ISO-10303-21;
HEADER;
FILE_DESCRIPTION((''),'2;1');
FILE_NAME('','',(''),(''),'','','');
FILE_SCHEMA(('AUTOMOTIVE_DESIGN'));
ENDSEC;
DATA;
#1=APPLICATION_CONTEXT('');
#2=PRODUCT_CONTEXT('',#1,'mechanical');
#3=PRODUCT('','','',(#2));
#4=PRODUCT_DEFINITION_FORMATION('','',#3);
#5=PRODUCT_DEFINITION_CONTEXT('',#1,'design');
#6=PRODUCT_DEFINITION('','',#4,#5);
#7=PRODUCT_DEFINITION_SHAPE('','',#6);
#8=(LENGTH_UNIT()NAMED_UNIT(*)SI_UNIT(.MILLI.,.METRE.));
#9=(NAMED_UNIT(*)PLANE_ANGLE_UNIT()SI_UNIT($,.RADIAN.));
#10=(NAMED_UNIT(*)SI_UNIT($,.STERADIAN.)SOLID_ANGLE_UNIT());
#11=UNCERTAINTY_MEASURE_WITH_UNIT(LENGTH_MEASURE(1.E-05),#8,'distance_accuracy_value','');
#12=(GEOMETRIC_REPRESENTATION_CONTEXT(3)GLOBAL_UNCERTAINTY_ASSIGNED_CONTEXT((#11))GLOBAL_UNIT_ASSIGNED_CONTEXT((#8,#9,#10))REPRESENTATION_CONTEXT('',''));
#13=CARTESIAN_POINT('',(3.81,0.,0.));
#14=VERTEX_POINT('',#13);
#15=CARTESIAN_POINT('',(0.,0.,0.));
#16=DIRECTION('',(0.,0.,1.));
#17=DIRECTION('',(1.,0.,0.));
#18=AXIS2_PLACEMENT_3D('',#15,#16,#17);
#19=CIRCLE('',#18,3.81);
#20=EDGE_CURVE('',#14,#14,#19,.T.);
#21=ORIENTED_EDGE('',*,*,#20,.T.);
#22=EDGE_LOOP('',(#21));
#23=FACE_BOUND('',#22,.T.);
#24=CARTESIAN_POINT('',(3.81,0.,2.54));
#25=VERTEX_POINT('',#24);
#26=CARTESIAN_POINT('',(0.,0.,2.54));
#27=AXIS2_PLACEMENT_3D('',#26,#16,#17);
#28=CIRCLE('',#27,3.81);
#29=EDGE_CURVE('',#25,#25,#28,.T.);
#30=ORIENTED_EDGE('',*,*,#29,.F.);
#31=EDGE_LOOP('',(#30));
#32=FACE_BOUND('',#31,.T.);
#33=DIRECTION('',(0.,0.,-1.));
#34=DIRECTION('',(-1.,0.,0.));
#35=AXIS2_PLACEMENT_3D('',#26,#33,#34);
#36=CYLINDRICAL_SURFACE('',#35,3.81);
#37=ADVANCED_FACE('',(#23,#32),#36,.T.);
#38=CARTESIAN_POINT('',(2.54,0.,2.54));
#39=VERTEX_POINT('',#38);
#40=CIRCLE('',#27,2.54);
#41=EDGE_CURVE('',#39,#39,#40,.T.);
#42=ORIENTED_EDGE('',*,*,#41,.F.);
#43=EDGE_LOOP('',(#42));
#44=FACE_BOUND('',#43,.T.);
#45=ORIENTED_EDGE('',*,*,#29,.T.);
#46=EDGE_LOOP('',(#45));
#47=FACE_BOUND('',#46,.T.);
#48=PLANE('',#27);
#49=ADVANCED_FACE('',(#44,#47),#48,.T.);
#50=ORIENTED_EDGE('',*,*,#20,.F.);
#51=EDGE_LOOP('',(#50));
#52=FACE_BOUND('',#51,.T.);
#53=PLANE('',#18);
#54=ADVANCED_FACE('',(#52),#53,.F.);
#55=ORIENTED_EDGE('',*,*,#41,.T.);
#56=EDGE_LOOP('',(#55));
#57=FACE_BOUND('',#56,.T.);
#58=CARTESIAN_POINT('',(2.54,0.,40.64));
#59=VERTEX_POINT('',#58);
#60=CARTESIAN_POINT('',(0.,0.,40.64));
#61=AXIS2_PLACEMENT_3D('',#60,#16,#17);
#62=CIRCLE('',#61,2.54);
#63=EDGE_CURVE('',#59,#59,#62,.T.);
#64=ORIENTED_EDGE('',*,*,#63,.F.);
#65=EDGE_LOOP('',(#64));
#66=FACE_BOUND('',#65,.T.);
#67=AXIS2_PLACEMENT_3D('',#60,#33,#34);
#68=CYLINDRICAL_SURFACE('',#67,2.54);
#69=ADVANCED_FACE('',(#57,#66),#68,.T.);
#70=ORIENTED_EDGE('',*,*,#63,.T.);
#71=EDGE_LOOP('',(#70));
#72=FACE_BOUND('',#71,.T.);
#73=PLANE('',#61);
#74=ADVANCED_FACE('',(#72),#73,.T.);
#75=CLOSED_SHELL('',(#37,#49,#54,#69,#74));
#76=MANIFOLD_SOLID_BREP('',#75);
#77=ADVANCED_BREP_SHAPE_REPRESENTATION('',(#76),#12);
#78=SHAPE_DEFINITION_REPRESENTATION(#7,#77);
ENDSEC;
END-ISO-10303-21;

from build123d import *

# Parameters (mm, degrees)
SKETCH1_R           = 3.81
BOSS_EXTRUDE1_DEPTH = 2.54
SKETCH2_R           = 2.54
BOSS_EXTRUDE2_DEPTH = 38.1


with BuildPart() as part:
    # Sketch1 → Boss-Extrude1 (new body)
    with BuildSketch(Plane.XY):
        Circle(SKETCH1_R)
    extrude(amount=BOSS_EXTRUDE1_DEPTH)

    # Sketch2 → Boss-Extrude2 (add)
    with BuildSketch(Plane.XY.offset(2.54)):
        Circle(SKETCH2_R)
    extrude(amount=BOSS_EXTRUDE2_DEPTH)


solid = part.part
